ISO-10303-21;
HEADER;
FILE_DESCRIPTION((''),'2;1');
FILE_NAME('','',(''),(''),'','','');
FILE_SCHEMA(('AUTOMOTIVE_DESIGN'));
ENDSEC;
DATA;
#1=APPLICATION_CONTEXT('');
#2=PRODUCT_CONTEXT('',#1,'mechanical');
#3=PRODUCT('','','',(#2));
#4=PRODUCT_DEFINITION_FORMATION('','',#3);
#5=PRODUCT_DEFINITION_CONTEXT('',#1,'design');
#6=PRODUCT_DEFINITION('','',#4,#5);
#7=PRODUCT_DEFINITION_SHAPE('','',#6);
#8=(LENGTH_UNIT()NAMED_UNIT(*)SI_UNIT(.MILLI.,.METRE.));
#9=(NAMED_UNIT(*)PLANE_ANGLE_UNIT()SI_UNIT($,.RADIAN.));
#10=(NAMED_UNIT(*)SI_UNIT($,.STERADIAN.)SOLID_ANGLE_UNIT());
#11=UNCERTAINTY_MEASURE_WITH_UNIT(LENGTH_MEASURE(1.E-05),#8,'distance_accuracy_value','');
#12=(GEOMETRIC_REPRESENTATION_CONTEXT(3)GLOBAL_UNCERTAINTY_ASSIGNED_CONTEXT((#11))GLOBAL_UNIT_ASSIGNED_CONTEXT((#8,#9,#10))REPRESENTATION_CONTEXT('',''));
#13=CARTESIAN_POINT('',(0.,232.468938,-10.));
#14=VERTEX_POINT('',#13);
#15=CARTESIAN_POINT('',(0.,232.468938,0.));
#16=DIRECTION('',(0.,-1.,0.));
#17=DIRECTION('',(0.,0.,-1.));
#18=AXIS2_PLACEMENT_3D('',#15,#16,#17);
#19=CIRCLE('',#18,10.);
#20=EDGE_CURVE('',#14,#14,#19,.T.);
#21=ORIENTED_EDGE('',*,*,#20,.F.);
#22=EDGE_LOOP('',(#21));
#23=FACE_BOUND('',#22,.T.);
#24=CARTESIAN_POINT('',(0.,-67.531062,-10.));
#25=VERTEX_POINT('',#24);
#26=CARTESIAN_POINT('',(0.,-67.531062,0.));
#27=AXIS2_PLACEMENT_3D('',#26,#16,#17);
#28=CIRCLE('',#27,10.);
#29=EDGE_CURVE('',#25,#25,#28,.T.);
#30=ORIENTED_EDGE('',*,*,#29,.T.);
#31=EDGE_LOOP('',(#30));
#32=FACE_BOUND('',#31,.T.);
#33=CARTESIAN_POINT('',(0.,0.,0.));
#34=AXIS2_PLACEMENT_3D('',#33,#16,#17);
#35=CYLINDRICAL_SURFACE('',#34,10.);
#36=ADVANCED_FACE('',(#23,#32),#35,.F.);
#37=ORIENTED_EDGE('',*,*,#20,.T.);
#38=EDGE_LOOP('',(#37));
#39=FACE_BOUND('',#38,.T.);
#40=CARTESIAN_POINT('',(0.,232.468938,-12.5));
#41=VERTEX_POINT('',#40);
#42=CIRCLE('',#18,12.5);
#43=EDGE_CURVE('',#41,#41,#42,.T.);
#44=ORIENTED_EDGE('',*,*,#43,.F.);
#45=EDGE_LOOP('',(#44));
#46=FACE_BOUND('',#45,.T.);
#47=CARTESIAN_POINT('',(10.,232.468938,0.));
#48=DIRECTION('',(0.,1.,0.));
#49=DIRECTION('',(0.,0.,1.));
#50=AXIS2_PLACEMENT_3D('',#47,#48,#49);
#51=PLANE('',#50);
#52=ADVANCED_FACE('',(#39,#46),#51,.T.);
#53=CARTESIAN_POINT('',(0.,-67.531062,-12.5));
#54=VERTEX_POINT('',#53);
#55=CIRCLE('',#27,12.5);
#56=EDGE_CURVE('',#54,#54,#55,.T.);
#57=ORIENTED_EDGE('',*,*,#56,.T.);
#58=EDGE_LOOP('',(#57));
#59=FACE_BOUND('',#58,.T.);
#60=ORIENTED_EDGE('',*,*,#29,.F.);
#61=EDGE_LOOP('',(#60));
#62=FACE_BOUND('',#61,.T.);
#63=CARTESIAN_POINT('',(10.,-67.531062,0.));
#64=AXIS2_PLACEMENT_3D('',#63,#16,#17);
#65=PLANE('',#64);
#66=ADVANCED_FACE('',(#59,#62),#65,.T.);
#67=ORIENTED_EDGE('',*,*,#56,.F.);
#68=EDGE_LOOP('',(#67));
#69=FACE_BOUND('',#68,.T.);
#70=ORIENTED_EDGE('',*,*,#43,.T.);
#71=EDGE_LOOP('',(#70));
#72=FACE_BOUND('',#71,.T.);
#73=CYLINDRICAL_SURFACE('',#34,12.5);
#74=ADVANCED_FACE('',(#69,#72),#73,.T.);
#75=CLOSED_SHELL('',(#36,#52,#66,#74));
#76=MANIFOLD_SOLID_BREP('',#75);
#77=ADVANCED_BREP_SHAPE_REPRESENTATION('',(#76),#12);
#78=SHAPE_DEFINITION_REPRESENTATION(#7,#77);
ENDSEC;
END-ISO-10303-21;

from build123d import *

# Parameters (mm, degrees)
SKETCH_1_W = 2.5
SKETCH_1_H = 300


with BuildPart() as part:
    # Эскиз1 → Повернуть1 (revolve)
    with BuildSketch(Plane.XY, mode=Mode.PRIVATE) as revolve_1_sk:
        with Locations((11.25, 82.468937605)):
            Rectangle(SKETCH_1_W, SKETCH_1_H)
    revolve(revolve_1_sk.sketch.rotate(Axis((0, 0, 0), (0, 1, 0)), 90), axis=Axis((0, 0, 0), (0, 1, 0)))  # turned: the seam where the file's is


solid = part.part
